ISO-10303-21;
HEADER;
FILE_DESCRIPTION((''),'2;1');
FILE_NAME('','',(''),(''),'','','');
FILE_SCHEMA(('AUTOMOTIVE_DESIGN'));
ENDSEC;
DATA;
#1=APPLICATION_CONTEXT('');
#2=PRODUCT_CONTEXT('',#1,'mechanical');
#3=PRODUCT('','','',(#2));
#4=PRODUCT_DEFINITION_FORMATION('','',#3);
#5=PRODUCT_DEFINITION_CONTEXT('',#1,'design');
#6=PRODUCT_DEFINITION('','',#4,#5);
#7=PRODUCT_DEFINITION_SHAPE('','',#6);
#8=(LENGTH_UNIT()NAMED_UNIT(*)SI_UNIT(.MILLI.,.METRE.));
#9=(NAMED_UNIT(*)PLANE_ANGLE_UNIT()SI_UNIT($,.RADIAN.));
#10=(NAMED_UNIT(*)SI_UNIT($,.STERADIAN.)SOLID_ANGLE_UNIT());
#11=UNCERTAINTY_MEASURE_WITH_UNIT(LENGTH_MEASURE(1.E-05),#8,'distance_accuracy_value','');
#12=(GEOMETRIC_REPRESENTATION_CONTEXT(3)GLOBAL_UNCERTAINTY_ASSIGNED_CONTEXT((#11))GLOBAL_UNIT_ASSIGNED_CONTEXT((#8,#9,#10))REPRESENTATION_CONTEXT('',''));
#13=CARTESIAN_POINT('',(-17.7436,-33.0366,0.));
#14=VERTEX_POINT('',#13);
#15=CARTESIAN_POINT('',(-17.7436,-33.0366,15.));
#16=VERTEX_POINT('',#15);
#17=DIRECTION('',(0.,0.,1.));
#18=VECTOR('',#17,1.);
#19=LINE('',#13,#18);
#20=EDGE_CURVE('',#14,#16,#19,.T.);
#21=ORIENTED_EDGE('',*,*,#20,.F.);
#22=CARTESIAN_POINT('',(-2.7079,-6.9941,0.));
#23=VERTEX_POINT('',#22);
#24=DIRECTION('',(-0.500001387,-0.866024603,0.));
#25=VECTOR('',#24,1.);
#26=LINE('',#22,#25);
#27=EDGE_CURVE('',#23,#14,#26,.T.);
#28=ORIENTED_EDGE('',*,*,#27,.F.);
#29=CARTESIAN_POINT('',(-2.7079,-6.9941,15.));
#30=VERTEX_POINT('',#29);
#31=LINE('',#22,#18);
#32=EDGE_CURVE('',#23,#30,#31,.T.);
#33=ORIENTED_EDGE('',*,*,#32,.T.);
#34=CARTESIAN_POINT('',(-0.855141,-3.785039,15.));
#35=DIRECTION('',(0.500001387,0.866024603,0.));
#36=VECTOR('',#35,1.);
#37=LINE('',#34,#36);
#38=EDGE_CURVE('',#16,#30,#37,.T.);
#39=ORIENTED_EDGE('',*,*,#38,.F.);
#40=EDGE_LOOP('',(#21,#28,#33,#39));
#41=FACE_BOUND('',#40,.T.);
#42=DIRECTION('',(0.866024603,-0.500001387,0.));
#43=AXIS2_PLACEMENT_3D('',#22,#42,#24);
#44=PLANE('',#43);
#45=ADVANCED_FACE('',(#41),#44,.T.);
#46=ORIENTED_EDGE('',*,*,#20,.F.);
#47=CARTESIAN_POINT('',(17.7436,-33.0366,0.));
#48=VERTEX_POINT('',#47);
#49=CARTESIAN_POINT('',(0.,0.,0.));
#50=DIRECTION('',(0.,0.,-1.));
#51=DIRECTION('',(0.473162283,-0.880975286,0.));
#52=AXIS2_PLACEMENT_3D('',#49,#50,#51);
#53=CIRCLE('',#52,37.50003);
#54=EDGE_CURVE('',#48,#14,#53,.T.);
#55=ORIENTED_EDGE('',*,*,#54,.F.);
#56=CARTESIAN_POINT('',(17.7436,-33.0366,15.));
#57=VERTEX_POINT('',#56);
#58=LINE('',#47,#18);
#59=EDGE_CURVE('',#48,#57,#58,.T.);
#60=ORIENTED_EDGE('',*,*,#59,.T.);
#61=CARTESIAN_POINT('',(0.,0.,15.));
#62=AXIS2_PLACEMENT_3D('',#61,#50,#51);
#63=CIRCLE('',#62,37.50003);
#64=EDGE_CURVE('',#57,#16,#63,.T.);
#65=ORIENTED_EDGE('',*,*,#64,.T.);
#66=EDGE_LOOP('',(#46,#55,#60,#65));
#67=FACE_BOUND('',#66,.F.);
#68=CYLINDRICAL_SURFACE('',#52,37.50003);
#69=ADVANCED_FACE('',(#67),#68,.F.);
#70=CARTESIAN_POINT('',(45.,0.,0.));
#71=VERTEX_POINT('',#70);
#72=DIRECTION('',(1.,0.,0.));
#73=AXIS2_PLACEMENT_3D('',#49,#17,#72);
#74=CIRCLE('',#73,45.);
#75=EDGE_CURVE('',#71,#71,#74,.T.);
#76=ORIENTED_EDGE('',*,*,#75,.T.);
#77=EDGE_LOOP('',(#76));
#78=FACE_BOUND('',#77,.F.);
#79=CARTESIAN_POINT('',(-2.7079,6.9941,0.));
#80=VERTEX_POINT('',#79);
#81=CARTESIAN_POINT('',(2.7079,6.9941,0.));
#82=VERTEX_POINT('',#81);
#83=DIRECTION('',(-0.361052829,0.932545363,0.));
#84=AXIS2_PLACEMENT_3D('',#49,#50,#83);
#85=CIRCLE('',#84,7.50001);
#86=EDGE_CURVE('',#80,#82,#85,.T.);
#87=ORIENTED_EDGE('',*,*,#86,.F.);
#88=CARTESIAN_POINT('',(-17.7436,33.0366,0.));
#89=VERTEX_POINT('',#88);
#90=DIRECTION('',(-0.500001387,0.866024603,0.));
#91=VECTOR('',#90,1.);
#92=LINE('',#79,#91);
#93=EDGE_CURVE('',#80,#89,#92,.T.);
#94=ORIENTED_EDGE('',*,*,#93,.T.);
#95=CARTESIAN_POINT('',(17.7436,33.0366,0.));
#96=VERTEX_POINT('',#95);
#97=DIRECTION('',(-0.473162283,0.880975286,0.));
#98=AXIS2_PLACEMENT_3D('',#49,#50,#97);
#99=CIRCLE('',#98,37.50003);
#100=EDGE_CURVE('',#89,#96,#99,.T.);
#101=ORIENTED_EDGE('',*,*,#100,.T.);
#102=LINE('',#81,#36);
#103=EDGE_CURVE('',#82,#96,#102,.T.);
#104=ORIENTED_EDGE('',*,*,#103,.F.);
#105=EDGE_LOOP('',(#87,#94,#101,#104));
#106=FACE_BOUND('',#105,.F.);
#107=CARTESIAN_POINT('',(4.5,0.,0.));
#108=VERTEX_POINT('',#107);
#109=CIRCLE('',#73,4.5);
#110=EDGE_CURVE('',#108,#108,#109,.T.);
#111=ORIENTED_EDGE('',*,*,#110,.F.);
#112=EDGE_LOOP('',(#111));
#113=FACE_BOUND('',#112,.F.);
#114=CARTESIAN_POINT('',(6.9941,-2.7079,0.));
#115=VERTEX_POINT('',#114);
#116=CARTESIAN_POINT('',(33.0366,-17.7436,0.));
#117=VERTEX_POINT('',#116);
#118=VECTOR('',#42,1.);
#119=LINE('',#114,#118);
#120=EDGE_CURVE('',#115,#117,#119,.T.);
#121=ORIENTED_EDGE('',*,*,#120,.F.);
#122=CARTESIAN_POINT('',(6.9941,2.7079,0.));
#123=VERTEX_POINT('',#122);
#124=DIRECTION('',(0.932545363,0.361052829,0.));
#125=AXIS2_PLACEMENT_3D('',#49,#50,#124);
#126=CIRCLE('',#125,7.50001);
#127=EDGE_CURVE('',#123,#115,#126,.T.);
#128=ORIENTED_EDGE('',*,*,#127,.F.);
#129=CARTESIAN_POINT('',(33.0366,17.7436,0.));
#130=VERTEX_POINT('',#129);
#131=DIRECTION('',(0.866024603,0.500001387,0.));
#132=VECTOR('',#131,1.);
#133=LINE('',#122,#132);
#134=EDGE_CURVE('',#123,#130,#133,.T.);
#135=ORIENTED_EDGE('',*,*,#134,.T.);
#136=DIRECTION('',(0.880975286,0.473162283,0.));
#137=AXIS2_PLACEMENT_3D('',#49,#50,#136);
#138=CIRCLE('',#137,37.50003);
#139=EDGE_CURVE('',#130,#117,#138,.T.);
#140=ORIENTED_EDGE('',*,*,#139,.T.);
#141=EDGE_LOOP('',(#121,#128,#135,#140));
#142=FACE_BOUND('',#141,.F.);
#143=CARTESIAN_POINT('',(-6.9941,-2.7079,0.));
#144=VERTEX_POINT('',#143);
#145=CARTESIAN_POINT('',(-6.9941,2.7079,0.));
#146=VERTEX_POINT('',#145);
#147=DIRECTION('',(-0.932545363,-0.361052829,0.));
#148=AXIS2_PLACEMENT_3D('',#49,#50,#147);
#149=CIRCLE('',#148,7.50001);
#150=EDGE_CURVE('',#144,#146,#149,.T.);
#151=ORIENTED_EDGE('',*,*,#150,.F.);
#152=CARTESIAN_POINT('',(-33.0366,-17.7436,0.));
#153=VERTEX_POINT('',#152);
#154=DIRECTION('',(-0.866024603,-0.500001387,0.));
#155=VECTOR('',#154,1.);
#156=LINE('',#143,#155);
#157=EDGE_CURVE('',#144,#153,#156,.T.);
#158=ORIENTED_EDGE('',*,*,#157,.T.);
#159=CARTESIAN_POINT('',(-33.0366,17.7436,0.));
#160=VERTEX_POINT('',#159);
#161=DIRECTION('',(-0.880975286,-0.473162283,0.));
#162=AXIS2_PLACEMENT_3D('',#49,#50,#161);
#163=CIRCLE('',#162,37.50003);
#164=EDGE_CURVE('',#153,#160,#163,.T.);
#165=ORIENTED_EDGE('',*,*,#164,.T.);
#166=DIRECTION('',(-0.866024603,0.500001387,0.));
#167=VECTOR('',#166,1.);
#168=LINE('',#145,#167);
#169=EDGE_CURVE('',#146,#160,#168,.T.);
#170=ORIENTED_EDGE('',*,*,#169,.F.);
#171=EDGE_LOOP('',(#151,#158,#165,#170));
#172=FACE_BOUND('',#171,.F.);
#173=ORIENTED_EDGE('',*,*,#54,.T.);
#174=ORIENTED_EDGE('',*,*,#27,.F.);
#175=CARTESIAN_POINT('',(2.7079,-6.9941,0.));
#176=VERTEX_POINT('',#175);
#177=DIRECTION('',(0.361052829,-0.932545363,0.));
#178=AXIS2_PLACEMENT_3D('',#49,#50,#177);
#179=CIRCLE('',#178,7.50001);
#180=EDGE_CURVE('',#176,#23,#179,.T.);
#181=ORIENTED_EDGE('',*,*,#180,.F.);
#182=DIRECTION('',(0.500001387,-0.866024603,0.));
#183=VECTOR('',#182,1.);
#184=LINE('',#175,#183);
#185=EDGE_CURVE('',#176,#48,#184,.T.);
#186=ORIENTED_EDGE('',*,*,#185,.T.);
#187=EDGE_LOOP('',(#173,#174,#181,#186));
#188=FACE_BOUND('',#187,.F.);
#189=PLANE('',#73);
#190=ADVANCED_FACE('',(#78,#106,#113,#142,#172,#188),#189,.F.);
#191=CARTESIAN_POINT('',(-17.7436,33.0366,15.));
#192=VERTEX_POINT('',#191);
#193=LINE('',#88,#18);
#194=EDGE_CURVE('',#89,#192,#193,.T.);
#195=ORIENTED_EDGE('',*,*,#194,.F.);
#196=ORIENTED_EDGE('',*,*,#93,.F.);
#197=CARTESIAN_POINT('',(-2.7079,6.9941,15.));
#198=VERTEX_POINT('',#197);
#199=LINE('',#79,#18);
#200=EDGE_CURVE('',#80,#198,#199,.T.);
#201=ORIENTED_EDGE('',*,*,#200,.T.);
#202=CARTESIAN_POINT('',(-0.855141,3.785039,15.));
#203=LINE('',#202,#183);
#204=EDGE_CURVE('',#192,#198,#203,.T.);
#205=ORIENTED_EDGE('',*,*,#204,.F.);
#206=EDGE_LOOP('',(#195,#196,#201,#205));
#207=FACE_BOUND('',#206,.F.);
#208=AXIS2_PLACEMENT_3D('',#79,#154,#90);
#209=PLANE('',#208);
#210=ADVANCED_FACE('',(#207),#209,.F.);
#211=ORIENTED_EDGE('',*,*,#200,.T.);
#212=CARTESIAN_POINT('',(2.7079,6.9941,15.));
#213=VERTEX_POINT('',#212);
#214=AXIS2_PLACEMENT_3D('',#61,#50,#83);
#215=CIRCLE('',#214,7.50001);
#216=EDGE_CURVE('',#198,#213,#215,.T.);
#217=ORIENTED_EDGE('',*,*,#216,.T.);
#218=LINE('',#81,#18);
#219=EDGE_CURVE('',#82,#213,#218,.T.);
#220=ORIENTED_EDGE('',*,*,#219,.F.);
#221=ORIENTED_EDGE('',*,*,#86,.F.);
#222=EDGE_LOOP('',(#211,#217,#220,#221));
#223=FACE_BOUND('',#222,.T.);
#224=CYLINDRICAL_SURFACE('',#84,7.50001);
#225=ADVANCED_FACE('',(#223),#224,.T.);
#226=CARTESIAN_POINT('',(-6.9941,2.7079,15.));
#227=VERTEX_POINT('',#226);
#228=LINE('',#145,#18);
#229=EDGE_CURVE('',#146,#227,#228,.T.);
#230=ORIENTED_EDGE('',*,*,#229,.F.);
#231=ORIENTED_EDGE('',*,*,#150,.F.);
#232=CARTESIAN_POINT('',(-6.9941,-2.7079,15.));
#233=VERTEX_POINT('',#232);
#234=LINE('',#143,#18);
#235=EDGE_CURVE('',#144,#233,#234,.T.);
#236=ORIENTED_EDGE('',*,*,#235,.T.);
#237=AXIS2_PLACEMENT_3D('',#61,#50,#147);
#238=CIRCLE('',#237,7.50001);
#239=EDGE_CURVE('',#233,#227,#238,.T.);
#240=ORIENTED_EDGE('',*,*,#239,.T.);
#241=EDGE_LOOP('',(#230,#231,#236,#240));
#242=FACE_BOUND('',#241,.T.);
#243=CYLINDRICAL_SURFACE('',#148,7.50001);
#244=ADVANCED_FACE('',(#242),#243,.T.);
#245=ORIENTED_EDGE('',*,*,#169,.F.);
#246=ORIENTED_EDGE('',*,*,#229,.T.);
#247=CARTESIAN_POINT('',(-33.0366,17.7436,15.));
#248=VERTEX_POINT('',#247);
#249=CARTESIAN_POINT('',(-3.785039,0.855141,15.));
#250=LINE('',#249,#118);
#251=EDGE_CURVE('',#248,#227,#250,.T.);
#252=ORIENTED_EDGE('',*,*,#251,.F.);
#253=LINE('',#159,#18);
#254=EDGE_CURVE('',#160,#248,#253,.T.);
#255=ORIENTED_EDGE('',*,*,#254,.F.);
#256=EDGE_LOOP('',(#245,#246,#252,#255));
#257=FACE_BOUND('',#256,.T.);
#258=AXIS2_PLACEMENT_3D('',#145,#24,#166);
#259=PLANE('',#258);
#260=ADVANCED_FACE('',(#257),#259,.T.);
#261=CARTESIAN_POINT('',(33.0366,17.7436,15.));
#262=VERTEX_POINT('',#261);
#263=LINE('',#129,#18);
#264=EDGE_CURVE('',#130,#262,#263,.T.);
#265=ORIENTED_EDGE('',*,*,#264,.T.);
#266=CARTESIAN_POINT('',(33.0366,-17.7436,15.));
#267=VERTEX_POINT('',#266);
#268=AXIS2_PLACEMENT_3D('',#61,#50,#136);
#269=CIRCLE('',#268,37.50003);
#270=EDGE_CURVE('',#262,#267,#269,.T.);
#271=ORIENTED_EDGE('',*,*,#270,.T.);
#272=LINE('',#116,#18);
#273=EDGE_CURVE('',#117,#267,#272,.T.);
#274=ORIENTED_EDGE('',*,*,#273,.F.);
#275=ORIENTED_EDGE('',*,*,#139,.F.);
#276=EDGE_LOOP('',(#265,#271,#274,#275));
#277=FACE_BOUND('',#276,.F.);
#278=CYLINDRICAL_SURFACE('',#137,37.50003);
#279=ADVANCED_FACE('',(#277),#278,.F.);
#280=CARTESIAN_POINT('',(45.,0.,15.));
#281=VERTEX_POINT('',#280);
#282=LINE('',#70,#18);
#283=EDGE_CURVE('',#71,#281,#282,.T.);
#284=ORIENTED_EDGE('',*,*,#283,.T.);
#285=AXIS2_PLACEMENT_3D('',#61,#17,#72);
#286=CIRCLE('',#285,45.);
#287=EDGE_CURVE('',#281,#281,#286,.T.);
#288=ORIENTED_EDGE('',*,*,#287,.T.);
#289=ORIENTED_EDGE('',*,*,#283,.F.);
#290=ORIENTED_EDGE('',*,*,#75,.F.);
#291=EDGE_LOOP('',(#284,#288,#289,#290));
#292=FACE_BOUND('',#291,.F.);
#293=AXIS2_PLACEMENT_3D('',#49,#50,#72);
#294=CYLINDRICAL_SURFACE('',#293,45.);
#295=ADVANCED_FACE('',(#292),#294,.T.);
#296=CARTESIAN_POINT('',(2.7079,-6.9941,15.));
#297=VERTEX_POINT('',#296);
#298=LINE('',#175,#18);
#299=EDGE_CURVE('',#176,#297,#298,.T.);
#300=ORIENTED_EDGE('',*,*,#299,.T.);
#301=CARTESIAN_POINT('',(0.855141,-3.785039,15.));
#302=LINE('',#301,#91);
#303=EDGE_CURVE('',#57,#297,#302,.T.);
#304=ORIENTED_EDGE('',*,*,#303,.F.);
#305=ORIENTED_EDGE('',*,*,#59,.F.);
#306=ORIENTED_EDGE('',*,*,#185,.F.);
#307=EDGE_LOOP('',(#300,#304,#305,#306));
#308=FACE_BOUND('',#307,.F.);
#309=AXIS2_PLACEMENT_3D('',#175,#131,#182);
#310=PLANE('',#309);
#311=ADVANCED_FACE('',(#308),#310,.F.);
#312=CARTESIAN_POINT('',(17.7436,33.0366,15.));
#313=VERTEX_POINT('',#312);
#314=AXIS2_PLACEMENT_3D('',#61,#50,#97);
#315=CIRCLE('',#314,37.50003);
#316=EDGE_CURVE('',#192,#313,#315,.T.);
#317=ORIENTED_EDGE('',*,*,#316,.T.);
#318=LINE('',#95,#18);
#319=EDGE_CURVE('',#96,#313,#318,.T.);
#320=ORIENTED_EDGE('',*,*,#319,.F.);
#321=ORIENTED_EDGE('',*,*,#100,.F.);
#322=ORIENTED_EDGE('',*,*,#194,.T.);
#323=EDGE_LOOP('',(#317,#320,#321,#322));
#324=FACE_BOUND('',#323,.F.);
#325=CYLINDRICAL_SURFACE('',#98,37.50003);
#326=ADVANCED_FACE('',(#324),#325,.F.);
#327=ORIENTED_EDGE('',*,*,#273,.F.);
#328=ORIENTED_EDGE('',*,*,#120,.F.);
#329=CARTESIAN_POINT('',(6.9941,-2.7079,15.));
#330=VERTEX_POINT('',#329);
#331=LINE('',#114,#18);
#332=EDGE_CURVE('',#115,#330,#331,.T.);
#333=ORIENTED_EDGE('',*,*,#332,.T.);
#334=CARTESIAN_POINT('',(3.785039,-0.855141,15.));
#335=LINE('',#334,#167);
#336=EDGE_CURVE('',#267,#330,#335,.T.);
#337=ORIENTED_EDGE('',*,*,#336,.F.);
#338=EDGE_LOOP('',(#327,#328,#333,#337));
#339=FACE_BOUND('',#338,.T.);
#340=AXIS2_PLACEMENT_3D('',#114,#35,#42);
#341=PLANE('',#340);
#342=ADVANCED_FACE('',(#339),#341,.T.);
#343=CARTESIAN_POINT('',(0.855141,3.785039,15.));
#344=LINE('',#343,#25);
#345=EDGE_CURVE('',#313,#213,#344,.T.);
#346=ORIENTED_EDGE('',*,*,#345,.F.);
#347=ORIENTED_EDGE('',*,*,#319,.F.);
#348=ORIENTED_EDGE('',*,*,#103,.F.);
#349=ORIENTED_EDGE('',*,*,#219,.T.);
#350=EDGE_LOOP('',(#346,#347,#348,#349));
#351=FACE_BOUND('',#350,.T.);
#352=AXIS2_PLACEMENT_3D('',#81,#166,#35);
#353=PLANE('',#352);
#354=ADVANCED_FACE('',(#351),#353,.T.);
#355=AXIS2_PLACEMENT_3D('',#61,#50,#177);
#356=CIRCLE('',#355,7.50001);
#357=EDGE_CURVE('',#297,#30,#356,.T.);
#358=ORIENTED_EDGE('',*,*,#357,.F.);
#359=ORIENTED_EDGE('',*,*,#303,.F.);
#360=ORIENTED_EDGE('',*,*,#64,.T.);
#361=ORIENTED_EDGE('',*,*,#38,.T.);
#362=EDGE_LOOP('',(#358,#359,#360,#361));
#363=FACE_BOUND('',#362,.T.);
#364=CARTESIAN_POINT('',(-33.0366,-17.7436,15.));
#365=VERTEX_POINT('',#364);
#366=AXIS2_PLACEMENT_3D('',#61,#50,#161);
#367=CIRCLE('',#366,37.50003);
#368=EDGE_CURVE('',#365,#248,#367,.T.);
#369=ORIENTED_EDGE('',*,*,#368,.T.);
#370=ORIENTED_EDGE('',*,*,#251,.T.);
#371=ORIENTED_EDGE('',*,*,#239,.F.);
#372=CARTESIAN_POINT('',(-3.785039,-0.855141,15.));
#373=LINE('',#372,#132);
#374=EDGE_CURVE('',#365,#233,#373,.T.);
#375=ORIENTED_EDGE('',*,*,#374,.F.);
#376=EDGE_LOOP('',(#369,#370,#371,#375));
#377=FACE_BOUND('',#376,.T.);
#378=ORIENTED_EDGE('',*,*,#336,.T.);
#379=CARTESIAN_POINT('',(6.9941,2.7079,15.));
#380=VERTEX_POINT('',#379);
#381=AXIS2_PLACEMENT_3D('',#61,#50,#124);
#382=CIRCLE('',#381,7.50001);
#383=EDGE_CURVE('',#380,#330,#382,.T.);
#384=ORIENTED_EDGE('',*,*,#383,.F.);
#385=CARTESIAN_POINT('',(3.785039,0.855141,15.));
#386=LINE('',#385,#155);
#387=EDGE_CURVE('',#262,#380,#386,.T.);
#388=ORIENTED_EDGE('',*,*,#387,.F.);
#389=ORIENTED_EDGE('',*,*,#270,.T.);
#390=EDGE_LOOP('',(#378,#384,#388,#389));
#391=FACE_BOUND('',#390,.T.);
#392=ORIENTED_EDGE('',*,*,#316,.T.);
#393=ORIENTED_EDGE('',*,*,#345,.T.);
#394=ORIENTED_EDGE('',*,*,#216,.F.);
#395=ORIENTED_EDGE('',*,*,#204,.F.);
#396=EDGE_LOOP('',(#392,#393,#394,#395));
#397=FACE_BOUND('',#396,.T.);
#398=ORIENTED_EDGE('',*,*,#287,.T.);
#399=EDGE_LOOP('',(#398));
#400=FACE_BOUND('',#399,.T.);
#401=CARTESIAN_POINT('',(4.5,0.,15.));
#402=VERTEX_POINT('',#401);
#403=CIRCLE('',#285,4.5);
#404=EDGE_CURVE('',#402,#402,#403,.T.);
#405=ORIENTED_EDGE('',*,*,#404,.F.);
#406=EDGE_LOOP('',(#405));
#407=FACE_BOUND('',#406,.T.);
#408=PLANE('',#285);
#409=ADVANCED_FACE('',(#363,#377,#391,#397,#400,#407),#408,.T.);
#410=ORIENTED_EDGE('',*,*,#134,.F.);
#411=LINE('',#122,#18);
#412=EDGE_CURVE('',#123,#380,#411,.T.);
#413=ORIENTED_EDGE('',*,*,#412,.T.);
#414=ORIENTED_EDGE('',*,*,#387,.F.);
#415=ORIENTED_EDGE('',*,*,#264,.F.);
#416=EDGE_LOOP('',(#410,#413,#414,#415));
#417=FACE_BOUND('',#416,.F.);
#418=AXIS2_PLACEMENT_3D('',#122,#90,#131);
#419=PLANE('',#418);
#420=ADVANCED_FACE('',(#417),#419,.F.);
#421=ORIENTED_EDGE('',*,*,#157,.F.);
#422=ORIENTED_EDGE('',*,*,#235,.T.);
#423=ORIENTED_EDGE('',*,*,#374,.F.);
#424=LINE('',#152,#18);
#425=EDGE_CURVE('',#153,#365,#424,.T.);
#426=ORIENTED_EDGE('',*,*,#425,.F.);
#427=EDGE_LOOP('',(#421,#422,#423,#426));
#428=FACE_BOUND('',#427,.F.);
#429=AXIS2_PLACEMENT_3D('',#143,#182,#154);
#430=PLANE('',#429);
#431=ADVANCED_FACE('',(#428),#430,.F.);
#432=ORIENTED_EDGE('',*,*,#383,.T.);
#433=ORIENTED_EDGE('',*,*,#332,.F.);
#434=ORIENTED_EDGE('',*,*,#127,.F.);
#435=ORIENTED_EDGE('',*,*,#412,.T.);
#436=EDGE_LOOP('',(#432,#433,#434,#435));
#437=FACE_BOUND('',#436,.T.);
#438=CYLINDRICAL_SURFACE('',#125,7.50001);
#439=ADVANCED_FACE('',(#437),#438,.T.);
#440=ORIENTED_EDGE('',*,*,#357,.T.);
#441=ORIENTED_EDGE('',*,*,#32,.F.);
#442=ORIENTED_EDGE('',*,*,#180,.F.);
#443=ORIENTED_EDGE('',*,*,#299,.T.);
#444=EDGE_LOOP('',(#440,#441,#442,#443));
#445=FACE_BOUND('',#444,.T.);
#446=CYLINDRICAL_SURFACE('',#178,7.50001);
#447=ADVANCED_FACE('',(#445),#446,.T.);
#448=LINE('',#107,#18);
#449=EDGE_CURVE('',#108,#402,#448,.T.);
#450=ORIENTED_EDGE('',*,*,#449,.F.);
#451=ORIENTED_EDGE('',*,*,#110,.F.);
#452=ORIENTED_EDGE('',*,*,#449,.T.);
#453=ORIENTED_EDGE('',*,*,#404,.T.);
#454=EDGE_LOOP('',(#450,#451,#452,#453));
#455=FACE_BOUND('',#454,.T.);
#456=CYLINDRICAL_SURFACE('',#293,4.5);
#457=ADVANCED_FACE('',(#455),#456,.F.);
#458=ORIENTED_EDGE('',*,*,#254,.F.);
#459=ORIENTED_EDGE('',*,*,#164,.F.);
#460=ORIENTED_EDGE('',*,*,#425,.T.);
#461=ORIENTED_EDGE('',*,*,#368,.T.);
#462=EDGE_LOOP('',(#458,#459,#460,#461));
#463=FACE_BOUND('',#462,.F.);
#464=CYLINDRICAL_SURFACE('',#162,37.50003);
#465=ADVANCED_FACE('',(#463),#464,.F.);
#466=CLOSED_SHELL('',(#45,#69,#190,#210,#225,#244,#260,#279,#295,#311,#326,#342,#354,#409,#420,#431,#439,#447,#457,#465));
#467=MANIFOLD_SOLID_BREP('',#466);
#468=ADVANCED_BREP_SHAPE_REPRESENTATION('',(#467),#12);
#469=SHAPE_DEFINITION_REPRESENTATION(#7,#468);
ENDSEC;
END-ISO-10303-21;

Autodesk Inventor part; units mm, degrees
ref_plane "YZ Plane" through (0, 0, 0) normal (1, 0, 0) x (0, 1, 0)
ref_plane "XZ Plane" through (0, 0, 0) normal (0, 1, 0) x (-1, 0, 0)
ref_plane "XY Plane" through (0, 0, 0) normal (0, 0, 1) x (1, 0, 0)
sketch "Boceto1" plane through (0, 0, 0) normal (0, 0, 1) x (1, 0, 0)
  circle A0 centre (0, 0) radius 4.5
  circle A1 centre (0, 0) radius 45
  dimension "d0" = 9
  dimension "d1" = 90
extrude "Extrusión1" add sketch "Boceto1" along normal blind 15
sketch "Boceto2" plane through (0, 0, 0) normal (0, 0, -1) x (-1, 0, 0)
  arc A0 (-6.9941, 2.7079) -> (-6.9941, -2.7079) centre (0, 0) ccw
  arc A1 (-33.0366, 17.7436) -> (-33.0366, -17.7436) centre (0, 0) ccw
  line L0 (-6.9941, 2.7079) -> (-33.0366, 17.7436)
  line L1 (-6.9941, -2.7079) -> (-33.0366, -17.7436)
  line L2 (-2.7079, -6.9941) -> (-17.7436, -33.0366)
  arc A2 (-17.7436, -33.0366) -> (17.7436, -33.0366) centre (0, 0) ccw
  line L3 (2.7079, -6.9941) -> (17.7436, -33.0366)
  arc A3 (-2.7079, -6.9941) -> (2.7079, -6.9941) centre (0, 0) ccw
  line L4 (6.9941, -2.7079) -> (33.0366, -17.7436)
  arc A4 (33.0366, -17.7436) -> (33.0366, 17.7436) centre (0, 0) ccw
  line L5 (6.9941, 2.7079) -> (33.0366, 17.7436)
  arc A5 (6.9941, -2.7079) -> (6.9941, 2.7079) centre (0, 0) ccw
  line L6 (2.7079, 6.9941) -> (17.7436, 33.0366)
  arc A6 (17.7436, 33.0366) -> (-17.7436, 33.0366) centre (0, 0) ccw
  line L7 (-2.7079, 6.9941) -> (-17.7436, 33.0366)
  arc A7 (2.7079, 6.9941) -> (-2.7079, 6.9941) centre (0, 0) ccw
  dimension "d4" = 15
  dimension "d5" = 75
  dimension "d13" = 360
extrude "Extrusión2" cut sketch "Boceto2" against normal through all
